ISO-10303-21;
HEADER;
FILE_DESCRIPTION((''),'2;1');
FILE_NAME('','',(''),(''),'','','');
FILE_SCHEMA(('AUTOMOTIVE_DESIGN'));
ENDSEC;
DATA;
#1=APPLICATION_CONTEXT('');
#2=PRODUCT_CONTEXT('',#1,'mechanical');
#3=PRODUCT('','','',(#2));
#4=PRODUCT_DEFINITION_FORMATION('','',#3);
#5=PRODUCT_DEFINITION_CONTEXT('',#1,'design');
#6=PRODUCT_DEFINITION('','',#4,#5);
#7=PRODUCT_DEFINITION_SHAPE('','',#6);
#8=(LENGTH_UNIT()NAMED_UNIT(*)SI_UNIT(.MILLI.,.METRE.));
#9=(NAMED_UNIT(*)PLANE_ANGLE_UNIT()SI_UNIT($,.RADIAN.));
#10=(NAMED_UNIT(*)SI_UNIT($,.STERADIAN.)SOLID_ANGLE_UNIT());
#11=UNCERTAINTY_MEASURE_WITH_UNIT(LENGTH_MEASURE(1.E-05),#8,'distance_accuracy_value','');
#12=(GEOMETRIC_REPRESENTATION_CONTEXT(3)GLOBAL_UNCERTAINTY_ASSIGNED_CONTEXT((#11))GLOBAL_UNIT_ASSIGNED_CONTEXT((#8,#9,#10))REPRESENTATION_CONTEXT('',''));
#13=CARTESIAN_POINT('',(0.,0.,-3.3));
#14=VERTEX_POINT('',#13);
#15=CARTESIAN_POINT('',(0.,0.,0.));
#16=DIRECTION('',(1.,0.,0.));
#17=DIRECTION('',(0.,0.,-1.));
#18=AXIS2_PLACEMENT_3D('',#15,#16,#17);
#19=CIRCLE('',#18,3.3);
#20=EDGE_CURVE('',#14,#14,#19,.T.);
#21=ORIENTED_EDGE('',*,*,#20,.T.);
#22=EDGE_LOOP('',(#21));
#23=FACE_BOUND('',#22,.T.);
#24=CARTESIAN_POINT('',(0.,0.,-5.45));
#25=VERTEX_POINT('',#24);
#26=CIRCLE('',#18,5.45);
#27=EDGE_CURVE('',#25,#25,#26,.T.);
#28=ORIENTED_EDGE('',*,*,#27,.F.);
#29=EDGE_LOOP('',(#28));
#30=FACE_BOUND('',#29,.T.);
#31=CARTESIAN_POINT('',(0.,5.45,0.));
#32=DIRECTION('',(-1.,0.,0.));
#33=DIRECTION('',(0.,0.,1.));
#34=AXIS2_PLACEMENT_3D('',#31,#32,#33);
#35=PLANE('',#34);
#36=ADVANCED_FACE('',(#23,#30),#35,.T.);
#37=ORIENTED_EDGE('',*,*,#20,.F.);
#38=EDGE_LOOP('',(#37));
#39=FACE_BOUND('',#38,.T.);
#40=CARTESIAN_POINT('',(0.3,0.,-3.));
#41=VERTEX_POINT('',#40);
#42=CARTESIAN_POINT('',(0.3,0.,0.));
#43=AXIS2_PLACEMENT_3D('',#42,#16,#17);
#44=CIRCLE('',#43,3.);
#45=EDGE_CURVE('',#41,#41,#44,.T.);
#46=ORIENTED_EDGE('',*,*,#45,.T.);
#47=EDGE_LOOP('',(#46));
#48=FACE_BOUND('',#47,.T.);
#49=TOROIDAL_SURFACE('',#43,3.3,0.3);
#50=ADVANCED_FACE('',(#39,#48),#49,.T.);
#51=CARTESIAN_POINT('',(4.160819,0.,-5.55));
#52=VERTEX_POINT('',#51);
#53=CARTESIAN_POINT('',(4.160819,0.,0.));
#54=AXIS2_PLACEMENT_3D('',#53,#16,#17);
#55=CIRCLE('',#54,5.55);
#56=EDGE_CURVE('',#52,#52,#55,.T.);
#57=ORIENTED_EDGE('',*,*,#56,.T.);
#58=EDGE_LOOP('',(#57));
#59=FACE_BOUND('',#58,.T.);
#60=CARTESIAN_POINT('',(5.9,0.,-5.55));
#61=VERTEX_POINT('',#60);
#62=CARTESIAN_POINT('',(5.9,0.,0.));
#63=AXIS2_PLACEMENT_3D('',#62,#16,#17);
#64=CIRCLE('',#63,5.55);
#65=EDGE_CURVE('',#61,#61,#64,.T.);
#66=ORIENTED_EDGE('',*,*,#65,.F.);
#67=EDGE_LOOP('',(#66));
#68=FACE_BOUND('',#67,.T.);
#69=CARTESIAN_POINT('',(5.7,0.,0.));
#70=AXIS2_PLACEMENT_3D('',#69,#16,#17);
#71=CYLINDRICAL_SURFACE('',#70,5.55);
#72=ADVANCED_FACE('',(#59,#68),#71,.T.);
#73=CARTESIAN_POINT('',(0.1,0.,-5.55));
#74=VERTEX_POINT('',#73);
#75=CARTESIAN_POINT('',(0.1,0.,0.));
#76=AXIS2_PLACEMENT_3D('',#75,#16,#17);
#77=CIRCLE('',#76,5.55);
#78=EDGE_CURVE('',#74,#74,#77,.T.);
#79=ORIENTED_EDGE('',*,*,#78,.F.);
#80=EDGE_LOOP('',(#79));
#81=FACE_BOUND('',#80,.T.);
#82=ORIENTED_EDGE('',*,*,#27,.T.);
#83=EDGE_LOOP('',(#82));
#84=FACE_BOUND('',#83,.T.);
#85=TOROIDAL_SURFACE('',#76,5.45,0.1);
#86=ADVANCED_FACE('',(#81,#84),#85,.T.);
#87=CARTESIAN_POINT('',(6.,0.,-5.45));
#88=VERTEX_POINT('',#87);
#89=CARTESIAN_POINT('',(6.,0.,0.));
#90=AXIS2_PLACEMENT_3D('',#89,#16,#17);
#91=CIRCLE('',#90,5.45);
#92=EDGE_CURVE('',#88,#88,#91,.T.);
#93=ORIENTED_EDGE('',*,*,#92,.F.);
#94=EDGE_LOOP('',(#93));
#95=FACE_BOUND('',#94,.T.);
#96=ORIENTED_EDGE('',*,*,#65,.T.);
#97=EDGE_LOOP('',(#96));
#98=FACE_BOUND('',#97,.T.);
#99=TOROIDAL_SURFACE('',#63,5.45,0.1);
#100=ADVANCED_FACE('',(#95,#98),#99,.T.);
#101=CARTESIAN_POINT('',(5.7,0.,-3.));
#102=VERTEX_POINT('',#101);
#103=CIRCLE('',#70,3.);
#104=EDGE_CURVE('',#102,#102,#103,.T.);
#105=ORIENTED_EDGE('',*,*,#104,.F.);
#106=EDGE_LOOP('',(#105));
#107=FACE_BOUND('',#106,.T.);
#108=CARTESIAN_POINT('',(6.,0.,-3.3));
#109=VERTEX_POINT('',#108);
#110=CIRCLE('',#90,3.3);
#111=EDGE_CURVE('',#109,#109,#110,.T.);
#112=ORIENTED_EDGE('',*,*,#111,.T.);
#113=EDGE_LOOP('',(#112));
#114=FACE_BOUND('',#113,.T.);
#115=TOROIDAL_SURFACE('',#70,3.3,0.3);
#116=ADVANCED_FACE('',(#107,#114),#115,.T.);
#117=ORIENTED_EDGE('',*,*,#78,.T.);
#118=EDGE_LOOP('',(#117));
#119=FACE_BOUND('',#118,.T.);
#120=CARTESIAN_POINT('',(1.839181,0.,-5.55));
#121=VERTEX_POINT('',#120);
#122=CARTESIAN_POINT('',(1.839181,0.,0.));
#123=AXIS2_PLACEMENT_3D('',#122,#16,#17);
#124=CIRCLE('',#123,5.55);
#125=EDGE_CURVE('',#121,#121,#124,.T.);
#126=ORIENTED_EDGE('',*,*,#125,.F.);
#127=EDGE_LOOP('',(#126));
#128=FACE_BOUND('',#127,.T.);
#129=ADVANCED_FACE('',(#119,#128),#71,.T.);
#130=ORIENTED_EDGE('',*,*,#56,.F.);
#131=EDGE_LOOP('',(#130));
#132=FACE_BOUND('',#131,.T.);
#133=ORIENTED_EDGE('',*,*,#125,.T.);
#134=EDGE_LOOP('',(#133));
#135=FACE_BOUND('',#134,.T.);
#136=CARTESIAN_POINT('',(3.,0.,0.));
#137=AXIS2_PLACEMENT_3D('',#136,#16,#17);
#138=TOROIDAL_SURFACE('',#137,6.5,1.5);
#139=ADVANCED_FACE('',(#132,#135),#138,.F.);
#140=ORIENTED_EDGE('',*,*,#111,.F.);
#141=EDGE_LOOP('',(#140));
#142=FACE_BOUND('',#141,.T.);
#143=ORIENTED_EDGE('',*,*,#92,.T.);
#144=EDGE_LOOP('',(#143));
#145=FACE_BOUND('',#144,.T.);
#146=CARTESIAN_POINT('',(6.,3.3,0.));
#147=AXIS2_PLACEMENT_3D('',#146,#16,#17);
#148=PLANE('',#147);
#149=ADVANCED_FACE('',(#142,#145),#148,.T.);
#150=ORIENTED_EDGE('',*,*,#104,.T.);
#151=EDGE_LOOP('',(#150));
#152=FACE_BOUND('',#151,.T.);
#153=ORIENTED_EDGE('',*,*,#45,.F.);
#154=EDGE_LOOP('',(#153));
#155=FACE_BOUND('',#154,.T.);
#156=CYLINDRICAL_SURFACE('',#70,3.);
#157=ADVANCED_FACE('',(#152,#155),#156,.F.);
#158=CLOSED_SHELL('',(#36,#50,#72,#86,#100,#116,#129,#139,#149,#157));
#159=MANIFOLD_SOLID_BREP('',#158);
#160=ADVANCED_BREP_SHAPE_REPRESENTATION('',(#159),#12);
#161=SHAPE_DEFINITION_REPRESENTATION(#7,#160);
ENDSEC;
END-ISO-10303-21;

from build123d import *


with BuildPart() as part:
    # Sketch1 → Revolve1 (revolve)
    with BuildSketch(Plane.XY, mode=Mode.PRIVATE) as revolve1_sk:
        with BuildLine():
            Line((0.3, 3), (5.7, 3))
            ThreePointArc((5.7, 3), (5.912132034, 3.087867966), (6, 3.3))
            Line((6, 3.3), (6, 5.45))
            ThreePointArc((6, 5.45), (5.970710678, 5.520710678), (5.9, 5.55))
            Line((5.9, 5.55), (4.160818677, 5.55))
            ThreePointArc((4.160818677, 5.55), (3, 5), (1.839181323, 5.55))
            Line((1.839181323, 5.55), (0.1, 5.55))
            ThreePointArc((0.1, 5.55), (0.029289322, 5.520710678), (0, 5.45))
            Line((0, 5.45), (0, 3.3))
            ThreePointArc((0, 3.3), (0.087867966, 3.087867966), (0.3, 3))
        make_face()
    revolve(revolve1_sk.sketch.rotate(Axis((5.7, 0, 0), (-1, 0, 0)), 90), axis=Axis((5.7, 0, 0), (-1, 0, 0)))  # turned: the seam where the file's is


solid = part.part
